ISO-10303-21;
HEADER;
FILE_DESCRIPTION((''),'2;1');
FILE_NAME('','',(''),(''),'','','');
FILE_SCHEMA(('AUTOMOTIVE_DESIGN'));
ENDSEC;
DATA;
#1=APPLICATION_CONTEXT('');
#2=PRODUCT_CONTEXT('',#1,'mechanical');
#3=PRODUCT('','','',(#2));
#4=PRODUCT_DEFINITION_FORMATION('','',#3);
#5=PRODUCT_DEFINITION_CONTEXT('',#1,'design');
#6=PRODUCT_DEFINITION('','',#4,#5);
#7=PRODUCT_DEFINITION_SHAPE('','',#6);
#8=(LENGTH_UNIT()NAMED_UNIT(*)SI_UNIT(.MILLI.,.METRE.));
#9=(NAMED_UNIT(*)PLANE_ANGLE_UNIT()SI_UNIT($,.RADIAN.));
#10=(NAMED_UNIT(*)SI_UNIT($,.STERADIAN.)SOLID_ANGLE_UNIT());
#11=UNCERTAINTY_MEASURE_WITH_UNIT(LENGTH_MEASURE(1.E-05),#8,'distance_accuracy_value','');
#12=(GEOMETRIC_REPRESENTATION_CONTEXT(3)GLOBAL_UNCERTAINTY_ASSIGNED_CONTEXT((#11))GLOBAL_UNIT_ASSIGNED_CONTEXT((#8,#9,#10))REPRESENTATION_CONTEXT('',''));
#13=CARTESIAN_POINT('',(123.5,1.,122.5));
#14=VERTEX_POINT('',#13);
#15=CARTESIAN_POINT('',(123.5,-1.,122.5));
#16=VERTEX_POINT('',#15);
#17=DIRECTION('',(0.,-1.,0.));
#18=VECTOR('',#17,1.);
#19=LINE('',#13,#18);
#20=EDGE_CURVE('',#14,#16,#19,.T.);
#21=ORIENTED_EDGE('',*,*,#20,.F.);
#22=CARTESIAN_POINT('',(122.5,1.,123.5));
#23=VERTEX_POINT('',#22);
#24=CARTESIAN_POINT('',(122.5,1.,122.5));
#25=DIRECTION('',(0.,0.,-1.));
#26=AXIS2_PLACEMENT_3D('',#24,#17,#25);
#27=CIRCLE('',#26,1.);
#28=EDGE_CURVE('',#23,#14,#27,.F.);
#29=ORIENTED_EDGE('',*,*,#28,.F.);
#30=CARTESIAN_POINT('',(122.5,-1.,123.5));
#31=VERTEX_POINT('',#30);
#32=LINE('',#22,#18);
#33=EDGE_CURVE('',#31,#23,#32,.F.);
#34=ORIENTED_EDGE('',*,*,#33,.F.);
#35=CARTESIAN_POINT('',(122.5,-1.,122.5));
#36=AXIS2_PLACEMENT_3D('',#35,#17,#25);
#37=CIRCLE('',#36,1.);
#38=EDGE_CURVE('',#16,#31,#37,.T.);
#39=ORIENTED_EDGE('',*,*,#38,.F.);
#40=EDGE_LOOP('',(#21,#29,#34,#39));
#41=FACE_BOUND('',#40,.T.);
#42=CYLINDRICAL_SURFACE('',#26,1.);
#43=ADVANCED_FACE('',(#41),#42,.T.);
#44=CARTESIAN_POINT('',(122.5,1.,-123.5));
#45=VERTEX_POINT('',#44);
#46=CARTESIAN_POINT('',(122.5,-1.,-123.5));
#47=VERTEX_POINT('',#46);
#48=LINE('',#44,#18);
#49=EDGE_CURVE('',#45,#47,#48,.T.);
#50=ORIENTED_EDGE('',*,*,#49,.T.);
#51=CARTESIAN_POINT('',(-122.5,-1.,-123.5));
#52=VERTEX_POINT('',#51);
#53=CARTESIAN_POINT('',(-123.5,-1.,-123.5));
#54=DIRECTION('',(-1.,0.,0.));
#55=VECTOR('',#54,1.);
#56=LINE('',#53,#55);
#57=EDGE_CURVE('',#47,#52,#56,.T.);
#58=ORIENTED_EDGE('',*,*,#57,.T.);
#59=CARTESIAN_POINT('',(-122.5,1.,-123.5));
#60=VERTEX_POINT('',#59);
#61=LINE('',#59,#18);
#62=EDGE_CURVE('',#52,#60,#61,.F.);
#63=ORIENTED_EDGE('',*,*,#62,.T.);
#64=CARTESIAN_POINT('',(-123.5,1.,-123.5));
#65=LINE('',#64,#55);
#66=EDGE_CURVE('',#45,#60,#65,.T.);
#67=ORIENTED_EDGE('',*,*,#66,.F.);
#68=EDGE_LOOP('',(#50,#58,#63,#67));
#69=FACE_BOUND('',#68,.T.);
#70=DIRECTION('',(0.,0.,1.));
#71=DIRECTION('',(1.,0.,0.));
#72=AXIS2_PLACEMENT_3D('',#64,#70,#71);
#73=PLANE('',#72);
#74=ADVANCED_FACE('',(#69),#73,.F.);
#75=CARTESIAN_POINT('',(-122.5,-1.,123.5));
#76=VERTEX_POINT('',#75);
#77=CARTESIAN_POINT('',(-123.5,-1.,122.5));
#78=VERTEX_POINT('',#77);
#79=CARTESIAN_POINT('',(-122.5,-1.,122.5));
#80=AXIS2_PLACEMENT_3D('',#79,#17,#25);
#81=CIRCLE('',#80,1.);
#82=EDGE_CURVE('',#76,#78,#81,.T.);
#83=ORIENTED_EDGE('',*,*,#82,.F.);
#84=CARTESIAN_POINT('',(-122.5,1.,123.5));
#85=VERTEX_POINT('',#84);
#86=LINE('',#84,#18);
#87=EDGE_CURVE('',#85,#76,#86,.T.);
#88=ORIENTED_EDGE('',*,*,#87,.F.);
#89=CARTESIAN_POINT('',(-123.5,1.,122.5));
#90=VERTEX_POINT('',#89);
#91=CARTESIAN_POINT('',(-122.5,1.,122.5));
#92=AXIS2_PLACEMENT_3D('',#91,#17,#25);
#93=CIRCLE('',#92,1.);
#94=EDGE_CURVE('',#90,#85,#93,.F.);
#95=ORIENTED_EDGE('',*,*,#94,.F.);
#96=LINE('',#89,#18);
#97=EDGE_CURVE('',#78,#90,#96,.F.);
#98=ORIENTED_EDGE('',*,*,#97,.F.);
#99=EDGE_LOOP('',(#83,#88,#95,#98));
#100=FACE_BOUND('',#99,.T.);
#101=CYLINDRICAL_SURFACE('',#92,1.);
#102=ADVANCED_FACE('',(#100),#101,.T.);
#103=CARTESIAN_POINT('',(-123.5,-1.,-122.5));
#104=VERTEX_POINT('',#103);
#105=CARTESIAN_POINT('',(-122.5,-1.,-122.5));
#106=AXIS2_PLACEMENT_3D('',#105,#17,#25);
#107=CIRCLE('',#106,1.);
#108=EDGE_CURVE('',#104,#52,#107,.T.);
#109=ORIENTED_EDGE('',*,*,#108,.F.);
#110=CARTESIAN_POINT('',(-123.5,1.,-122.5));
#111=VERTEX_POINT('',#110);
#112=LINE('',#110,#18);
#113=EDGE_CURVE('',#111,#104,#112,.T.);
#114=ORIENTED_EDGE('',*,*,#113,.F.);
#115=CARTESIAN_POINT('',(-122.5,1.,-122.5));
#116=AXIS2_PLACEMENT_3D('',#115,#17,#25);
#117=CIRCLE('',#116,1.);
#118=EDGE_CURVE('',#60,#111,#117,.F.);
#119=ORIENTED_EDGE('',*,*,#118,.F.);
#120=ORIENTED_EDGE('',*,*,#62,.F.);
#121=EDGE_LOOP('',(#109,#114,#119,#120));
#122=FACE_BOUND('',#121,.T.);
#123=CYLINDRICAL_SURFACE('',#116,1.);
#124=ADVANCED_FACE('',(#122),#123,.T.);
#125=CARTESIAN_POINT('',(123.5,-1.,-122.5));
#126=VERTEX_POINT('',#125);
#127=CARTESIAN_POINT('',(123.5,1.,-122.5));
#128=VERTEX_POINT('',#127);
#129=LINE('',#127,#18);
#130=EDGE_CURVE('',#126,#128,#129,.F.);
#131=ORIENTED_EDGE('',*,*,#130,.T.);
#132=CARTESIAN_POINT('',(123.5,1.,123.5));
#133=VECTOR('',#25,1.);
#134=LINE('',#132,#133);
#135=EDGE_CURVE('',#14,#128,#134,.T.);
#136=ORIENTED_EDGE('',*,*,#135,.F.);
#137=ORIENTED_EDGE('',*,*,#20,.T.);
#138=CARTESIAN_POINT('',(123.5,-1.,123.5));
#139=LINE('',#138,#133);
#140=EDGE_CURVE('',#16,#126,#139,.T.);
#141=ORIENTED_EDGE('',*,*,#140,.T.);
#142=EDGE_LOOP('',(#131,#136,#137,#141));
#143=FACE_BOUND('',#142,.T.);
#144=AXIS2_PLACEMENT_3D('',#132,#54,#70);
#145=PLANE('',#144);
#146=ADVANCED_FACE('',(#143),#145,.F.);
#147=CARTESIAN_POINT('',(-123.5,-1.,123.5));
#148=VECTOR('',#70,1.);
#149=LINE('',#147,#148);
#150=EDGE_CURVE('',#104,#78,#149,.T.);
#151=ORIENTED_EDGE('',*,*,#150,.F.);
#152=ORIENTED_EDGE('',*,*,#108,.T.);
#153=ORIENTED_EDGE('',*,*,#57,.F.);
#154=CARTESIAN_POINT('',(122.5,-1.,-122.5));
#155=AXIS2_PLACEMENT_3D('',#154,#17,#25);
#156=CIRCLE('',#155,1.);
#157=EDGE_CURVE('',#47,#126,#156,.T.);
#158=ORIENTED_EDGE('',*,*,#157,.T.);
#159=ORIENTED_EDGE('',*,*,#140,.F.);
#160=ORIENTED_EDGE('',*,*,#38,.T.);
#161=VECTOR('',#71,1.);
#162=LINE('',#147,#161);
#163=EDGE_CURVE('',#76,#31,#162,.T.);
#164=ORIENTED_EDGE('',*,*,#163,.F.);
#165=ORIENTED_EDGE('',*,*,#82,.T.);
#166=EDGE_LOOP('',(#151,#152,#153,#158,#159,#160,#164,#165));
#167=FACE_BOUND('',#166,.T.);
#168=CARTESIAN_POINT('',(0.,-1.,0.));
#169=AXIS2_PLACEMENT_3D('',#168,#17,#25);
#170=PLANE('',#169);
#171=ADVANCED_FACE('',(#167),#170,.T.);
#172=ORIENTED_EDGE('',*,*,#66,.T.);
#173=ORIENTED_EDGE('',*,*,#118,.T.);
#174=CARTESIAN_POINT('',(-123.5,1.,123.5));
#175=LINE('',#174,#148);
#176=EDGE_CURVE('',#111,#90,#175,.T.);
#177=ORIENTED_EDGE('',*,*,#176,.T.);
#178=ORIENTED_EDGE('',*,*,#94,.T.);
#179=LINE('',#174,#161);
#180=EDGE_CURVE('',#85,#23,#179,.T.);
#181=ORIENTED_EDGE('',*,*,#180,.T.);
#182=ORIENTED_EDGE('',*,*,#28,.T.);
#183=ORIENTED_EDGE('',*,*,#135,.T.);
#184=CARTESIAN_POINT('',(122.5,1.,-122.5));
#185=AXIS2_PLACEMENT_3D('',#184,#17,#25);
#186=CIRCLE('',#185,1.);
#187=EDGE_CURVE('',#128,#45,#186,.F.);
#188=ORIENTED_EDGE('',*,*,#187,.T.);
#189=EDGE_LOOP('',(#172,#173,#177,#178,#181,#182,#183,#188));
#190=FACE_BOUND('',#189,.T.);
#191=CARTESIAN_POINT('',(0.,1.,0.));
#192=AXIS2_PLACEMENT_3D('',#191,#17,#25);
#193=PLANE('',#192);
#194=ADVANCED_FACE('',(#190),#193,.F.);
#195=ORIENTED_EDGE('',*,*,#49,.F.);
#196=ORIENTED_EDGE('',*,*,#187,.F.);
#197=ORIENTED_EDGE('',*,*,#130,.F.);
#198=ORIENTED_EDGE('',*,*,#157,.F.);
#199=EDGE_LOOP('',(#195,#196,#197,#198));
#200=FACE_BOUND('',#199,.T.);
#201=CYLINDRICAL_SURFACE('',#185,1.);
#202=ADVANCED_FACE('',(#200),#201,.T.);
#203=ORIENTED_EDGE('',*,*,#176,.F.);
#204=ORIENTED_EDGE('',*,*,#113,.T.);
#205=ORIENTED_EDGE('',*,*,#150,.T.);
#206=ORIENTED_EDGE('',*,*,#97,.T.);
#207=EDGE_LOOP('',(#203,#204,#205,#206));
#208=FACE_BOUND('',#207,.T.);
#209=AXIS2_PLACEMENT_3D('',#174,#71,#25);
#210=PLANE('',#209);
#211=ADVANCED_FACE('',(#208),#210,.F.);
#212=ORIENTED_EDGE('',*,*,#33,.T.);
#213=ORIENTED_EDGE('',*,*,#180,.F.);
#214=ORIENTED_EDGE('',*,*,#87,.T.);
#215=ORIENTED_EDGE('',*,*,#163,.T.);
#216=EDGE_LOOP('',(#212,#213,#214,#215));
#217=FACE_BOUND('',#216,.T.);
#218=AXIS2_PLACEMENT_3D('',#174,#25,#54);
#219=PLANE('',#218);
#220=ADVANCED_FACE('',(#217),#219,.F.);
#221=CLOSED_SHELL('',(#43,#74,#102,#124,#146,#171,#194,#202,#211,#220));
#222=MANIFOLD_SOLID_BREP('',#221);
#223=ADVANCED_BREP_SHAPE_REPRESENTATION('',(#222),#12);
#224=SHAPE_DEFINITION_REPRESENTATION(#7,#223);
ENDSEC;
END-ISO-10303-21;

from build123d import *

# Parameters (mm, degrees)
SKETCH1_W           = 247
SKETCH1_H           = 247
BOSS_EXTRUDE1_DEPTH = 1
FILLET1_R           = 1


with BuildPart() as part:
    # Sketch1 → Boss-Extrude1 (new, symmetric)
    with BuildSketch(Plane(origin=(0, 0, 0), x_dir=(1, 0, 0), z_dir=(0, 1, 0))):
        Rectangle(SKETCH1_W, SKETCH1_H)
    extrude(amount=BOSS_EXTRUDE1_DEPTH, both=True)

    # Fillet1
    fillet1_edges = [part.edges().sort_by_distance(p)[0] for p in [
        (123.5, 0, 123.5),
        (-123.5, 0, 123.5),
        (-123.5, 0, -123.5),
        (123.5, 0, -123.5),
    ]]
    fillet(fillet1_edges, radius=FILLET1_R)


solid = part.part
